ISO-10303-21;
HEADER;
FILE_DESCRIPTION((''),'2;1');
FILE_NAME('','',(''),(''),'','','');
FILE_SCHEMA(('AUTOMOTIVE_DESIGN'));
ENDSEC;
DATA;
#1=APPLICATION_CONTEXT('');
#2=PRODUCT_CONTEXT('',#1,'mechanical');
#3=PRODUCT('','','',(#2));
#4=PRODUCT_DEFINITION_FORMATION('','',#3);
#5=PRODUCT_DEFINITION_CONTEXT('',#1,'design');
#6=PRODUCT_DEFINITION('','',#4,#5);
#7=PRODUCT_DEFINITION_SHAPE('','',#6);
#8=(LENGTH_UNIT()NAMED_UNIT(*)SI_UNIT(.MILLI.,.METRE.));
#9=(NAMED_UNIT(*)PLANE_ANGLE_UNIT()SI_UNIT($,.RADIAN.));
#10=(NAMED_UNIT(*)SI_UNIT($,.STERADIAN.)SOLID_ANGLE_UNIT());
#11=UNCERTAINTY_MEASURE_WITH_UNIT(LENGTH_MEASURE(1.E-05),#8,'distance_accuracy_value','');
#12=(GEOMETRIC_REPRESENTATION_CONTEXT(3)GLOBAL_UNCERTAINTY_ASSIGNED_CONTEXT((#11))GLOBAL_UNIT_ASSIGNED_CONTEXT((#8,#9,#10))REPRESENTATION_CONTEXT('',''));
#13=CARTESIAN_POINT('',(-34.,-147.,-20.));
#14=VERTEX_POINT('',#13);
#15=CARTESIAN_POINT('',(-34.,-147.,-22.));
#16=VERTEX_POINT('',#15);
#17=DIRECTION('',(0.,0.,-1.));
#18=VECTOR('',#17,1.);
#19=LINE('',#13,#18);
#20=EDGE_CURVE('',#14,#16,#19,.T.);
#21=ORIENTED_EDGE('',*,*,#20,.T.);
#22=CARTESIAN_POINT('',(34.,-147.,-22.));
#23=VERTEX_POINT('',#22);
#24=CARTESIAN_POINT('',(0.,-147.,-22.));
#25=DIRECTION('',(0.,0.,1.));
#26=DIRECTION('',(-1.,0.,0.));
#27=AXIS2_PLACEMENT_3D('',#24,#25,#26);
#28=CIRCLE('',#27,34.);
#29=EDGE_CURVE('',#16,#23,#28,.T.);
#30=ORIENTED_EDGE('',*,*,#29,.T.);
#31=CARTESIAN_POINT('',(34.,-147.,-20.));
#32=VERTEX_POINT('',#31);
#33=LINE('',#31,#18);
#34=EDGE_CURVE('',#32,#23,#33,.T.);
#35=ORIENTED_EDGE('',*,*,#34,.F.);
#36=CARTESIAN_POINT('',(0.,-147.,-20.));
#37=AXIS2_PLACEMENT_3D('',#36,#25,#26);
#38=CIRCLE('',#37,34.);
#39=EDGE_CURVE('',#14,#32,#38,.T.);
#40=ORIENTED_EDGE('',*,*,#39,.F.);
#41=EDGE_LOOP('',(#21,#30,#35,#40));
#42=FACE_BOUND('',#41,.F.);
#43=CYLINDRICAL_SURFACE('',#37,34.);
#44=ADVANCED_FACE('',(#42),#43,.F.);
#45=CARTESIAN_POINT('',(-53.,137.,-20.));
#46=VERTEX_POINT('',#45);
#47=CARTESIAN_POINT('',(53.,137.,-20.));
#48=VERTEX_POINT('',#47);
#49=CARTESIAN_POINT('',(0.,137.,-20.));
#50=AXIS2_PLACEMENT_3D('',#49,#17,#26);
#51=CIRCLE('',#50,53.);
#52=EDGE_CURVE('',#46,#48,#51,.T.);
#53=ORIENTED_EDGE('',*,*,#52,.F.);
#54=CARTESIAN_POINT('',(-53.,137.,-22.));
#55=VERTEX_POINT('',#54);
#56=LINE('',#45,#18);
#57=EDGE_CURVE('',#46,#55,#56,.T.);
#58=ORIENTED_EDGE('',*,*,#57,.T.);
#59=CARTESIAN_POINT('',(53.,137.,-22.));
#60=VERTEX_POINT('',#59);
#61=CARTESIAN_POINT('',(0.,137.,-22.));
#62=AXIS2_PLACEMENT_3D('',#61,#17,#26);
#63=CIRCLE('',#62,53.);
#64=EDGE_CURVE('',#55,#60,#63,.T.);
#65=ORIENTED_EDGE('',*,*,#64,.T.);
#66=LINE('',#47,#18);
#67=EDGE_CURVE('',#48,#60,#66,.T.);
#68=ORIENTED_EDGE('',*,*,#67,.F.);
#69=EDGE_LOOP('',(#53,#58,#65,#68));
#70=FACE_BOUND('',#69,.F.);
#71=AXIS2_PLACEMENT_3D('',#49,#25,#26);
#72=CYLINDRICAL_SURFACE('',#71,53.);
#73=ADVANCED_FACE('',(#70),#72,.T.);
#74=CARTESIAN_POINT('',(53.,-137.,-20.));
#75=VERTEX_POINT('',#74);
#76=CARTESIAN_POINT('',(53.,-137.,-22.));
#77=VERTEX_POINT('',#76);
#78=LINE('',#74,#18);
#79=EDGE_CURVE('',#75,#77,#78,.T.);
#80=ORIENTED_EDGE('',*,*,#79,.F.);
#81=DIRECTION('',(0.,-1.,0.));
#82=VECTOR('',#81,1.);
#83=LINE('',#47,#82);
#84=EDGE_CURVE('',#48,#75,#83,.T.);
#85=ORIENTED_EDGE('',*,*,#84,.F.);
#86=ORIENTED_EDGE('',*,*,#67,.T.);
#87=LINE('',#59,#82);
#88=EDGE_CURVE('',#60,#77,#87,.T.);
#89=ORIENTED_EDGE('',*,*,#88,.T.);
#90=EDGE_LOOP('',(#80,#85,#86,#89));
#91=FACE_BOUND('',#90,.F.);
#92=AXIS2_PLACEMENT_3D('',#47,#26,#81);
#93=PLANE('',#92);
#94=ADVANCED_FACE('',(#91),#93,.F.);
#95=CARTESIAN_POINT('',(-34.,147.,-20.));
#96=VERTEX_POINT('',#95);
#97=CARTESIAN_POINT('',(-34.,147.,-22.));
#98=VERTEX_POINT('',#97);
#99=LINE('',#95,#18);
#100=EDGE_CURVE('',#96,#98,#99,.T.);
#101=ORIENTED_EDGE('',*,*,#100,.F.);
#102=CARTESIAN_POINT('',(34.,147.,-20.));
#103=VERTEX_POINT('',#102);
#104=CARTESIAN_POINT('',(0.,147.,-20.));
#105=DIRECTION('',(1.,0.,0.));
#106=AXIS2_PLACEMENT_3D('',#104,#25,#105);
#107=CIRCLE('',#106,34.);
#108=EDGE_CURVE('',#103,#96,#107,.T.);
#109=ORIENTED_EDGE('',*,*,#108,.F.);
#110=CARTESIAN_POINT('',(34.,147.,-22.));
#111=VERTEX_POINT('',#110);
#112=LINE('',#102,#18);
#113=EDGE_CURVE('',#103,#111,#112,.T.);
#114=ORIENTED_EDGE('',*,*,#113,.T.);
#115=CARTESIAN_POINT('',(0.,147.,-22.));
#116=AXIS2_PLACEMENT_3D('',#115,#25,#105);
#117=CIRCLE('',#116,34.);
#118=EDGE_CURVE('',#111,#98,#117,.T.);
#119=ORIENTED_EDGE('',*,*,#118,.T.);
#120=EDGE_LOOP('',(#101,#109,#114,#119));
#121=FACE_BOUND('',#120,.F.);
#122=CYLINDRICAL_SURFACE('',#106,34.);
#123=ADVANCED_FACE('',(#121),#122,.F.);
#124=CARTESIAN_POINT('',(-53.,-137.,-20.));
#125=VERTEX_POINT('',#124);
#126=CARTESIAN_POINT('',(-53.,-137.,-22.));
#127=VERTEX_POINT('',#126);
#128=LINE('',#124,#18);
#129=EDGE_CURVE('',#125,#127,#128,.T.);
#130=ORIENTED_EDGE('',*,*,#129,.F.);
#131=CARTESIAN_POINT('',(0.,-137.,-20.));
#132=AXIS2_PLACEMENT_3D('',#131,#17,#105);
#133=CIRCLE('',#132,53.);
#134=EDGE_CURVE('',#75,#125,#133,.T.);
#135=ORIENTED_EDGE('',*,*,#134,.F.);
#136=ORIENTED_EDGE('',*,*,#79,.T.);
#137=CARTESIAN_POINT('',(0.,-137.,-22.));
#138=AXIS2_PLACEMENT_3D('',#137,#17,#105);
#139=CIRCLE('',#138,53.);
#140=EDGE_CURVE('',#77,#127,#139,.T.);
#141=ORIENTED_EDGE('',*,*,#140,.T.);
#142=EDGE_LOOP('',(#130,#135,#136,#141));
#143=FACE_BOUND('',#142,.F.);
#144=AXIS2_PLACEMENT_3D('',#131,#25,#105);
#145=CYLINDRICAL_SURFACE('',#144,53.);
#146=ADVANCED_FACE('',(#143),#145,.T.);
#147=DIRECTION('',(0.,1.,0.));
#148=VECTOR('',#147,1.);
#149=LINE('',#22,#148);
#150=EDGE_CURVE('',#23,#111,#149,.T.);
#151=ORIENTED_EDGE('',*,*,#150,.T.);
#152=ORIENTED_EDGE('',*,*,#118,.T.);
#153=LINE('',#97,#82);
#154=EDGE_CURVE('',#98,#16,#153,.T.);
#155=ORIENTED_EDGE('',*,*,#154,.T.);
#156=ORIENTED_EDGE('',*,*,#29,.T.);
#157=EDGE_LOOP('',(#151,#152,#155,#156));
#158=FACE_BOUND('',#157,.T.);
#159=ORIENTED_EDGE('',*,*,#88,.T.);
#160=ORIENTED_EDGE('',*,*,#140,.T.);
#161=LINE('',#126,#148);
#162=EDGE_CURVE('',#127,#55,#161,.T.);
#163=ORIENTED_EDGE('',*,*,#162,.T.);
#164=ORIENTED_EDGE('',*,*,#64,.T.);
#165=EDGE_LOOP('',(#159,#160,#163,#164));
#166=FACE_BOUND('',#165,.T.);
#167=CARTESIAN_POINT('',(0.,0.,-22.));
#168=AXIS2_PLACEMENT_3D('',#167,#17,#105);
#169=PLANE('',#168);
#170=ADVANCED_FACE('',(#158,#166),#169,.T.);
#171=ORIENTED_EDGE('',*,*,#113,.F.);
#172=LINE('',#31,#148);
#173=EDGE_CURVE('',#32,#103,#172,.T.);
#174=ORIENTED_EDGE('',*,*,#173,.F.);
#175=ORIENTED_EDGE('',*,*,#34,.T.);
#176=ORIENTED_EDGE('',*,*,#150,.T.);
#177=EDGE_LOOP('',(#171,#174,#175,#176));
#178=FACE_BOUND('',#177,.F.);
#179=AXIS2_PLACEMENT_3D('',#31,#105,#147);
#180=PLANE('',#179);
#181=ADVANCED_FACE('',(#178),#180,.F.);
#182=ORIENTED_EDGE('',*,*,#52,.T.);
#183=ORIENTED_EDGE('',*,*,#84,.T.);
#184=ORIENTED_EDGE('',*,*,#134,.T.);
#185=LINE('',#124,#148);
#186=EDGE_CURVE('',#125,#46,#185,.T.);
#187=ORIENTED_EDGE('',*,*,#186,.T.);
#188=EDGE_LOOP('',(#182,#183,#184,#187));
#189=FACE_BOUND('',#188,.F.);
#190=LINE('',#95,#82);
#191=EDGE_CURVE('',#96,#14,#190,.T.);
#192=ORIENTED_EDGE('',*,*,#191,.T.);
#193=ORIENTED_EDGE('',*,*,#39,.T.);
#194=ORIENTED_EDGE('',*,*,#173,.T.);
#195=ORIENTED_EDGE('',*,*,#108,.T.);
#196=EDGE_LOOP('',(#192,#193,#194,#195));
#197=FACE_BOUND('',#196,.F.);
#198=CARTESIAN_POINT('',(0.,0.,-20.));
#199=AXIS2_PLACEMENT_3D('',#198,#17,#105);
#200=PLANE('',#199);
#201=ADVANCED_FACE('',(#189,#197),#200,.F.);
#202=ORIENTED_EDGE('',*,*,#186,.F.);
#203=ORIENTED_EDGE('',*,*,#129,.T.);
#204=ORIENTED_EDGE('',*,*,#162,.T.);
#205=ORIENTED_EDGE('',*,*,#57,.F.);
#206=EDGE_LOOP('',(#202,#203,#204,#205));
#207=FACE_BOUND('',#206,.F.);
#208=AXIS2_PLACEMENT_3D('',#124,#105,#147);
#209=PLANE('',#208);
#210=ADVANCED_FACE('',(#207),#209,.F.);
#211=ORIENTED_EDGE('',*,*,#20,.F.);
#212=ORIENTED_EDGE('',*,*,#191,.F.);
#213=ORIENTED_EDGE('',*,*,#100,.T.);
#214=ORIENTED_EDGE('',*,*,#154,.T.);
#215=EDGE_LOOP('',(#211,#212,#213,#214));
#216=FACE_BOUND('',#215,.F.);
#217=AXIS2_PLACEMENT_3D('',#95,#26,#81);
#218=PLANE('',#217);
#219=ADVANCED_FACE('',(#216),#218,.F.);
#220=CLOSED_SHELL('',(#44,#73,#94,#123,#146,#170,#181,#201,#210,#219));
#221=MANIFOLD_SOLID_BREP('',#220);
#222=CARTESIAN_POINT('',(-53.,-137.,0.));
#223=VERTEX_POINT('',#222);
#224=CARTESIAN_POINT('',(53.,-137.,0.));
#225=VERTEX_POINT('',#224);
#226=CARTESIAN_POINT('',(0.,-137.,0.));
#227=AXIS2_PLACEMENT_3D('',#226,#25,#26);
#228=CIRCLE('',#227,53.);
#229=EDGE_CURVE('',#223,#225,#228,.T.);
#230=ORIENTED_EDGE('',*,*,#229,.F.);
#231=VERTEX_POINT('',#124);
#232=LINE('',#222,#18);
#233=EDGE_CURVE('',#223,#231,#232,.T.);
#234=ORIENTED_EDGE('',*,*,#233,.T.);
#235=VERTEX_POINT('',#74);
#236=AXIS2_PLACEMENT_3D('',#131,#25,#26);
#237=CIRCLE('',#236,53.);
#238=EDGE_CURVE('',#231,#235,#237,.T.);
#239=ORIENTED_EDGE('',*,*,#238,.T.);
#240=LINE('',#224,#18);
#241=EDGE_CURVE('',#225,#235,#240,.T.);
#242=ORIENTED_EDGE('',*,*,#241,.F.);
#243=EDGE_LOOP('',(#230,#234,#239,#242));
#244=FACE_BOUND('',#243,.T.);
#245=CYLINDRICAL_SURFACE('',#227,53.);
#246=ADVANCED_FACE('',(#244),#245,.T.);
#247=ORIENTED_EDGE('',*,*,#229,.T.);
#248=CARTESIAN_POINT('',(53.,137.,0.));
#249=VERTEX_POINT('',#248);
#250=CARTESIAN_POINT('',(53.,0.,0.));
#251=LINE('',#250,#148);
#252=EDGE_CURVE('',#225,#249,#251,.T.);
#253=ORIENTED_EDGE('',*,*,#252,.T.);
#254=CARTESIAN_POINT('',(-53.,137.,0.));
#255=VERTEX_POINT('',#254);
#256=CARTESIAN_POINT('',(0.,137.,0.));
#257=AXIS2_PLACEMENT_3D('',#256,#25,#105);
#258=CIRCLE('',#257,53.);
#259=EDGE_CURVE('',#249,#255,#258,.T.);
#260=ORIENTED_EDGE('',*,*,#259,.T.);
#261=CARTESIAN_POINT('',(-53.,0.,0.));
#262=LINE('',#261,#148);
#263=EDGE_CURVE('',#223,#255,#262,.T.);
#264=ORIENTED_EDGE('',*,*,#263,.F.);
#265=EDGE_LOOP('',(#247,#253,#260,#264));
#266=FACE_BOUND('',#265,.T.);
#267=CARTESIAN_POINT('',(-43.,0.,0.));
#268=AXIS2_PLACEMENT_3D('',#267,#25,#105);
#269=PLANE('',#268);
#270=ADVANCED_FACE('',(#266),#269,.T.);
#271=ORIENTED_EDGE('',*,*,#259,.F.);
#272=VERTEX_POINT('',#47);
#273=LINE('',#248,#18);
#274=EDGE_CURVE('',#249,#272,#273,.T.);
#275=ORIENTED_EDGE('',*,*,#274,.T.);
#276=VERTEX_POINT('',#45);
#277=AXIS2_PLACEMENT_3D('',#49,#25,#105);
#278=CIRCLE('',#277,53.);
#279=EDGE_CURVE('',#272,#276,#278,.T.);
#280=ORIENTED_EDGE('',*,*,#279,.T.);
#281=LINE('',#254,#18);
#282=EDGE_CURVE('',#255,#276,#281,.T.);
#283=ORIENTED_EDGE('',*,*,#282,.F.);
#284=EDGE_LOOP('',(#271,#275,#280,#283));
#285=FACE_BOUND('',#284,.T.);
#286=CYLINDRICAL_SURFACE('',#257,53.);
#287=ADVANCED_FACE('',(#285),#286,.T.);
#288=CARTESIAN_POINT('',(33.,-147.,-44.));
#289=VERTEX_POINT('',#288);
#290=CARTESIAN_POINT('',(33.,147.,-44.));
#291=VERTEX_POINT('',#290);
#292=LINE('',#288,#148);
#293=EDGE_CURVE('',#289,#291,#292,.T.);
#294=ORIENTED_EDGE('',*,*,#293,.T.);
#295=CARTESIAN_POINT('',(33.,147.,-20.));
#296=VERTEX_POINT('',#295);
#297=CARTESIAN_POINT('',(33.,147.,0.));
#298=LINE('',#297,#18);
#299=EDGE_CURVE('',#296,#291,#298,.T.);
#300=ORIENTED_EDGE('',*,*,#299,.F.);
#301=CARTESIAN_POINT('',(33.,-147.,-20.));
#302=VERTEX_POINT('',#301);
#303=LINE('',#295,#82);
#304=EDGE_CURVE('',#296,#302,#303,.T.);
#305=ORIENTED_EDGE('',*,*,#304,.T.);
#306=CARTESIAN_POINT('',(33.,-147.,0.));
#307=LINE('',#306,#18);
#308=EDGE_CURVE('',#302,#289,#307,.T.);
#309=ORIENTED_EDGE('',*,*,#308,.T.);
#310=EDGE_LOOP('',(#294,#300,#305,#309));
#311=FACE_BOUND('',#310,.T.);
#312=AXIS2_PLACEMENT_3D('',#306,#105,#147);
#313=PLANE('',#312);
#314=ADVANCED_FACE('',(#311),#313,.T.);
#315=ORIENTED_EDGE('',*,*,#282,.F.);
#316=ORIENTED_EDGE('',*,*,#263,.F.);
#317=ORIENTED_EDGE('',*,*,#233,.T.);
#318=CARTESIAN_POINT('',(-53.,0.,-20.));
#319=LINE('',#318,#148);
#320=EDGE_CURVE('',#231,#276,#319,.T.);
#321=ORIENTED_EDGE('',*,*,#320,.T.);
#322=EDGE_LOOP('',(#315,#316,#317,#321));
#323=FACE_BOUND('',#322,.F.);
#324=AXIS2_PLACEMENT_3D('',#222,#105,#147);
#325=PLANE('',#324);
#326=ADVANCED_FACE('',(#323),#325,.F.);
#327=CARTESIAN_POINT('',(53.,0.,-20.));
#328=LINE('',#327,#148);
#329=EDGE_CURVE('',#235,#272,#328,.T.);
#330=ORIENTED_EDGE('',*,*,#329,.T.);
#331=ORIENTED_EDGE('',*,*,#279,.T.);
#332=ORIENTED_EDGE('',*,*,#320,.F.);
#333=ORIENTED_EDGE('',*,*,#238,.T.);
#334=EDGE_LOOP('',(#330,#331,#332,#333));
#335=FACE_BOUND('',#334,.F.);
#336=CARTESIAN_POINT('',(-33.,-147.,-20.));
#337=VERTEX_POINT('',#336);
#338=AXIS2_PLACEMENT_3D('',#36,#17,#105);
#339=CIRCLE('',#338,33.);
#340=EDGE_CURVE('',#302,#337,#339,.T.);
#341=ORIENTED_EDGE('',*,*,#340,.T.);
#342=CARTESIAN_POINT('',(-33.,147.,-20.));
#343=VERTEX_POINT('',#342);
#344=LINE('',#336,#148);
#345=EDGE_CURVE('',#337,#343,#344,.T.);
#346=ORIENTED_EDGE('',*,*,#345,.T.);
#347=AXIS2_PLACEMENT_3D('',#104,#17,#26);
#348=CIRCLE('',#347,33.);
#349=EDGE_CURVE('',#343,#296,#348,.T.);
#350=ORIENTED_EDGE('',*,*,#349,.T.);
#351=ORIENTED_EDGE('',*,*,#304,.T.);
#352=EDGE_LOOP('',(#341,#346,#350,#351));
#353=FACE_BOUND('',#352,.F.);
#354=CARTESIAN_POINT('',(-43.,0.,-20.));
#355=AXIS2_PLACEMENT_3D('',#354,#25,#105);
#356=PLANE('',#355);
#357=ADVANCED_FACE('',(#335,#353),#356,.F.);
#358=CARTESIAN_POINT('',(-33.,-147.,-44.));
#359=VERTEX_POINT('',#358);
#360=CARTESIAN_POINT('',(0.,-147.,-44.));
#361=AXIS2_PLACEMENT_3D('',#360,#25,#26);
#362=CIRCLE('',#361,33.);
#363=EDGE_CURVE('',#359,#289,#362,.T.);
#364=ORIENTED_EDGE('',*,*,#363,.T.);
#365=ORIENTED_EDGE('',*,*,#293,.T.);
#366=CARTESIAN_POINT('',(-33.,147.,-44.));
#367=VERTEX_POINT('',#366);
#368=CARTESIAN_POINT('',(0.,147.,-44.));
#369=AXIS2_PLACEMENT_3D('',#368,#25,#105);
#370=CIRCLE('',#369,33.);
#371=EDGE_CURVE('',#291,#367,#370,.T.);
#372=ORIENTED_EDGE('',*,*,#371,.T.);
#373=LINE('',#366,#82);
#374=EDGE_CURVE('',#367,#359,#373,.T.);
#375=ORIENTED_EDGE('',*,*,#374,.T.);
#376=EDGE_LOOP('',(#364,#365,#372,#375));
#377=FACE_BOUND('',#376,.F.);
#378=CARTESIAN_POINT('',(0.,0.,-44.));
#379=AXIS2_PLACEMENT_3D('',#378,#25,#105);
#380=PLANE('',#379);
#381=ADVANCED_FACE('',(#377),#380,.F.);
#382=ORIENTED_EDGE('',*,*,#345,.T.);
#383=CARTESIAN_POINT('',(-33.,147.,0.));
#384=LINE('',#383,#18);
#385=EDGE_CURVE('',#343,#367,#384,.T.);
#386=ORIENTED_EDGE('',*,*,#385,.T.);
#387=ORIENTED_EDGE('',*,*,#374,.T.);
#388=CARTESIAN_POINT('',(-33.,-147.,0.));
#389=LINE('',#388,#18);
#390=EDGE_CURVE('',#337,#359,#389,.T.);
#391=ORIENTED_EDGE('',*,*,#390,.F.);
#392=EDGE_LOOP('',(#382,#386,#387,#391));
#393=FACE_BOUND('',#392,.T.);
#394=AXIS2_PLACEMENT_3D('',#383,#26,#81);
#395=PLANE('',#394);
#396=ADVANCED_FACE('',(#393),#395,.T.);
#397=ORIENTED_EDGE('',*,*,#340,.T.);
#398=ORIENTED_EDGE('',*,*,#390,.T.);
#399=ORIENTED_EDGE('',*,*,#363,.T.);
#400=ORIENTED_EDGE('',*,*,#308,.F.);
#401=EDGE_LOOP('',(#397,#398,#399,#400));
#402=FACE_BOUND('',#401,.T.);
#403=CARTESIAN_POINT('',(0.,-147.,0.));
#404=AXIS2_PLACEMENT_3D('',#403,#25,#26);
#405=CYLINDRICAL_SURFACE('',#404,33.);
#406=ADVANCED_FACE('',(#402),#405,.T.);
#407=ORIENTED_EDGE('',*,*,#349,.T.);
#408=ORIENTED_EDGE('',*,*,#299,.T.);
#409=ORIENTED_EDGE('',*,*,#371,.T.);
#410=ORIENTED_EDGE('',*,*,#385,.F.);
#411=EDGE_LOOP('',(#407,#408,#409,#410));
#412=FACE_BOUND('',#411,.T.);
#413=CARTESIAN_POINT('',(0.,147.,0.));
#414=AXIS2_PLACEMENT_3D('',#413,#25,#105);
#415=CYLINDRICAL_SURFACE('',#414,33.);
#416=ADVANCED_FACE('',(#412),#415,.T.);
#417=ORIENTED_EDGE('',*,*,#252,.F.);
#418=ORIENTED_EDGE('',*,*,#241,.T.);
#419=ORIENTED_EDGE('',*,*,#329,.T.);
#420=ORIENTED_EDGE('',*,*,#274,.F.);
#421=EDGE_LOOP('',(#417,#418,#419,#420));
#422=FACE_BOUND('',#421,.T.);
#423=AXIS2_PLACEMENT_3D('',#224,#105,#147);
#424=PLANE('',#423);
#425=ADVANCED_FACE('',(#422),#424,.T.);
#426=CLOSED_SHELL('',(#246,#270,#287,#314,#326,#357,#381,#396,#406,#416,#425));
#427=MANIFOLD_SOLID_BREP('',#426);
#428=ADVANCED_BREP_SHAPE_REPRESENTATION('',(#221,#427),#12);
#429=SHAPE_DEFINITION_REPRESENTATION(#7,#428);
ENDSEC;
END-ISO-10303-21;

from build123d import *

# Parameters (mm, degrees)
F0_W     = 66
F0_H     = 274
F0_H_2   = 10
F1_DEPTH = 44
F0_W_2   = 20
F2_DEPTH = 20
F4_DEPTH = 2


with BuildPart() as f1:
    # F0 (on Top) → F1 (new body)
    with BuildSketch(Plane.XY):
        Rectangle(F0_W, F0_H)
        with Locations((0, 142)):
            Rectangle(F0_W, F0_H_2)
        with BuildLine():
            Line((-33, 147), (33, 147))
            ThreePointArc((33, 147), (0, 180), (-33, 147))
        make_face()
        with Locations((0, -142)):
            Rectangle(F0_W, F0_H_2)
        with BuildLine():
            ThreePointArc((-33, -147), (0, -180), (33, -147))
            Line((33, -147), (-33, -147))
        make_face()
    extrude(amount=-F1_DEPTH)

    # F0 (on Top) → F2 (join)
    with BuildSketch(Plane.XY):
        with Locations((-43, 0)):
            Rectangle(F0_W_2, F0_H)
        with BuildLine():
            ThreePointArc((-33, 147), (0, 180), (33, 147))
            Line((33, 147), (33, 137))
            Line((33, 137), (53, 137))
            ThreePointArc((53, 137), (0, 190), (-53, 137))
            Line((-53, 137), (-33, 137))
            Line((-33, 137), (-33, 147))
        make_face()
        with Locations((43, 0)):
            Rectangle(F0_W_2, F0_H)
        with BuildLine():
            Line((53, -137), (33, -137))
            Line((33, -137), (33, -147))
            ThreePointArc((33, -147), (0, -180), (-33, -147))
            Line((-33, -147), (-33, -137))
            Line((-33, -137), (-53, -137))
            ThreePointArc((-53, -137), (0, -190), (53, -137))
        make_face()
    extrude(amount=-F2_DEPTH)


with BuildPart() as f4:
    # F3 (on face) → F4 (new body)
    with BuildSketch(Plane(origin=(0, 0, -20), x_dir=(1, 0, 0), z_dir=(0, 0, -1))):
        with BuildLine():
            ThreePointArc((53, 137), (0, 190), (-53, 137))
            Line((-53, 137), (-53, -137))
            ThreePointArc((-53, -137), (0, -190), (53, -137))
            Line((53, -137), (53, 137))
        make_face()
        with BuildLine():
            ThreePointArc((34, -147), (0, -181), (-34, -147))
            Line((-34, -147), (-34, 147))
            ThreePointArc((-34, 147), (0, 181), (34, 147))
            Line((34, 147), (34, -147))
        make_face(mode=Mode.SUBTRACT)
    extrude(amount=F4_DEPTH)


solid = Compound([f1.part, f4.part])
